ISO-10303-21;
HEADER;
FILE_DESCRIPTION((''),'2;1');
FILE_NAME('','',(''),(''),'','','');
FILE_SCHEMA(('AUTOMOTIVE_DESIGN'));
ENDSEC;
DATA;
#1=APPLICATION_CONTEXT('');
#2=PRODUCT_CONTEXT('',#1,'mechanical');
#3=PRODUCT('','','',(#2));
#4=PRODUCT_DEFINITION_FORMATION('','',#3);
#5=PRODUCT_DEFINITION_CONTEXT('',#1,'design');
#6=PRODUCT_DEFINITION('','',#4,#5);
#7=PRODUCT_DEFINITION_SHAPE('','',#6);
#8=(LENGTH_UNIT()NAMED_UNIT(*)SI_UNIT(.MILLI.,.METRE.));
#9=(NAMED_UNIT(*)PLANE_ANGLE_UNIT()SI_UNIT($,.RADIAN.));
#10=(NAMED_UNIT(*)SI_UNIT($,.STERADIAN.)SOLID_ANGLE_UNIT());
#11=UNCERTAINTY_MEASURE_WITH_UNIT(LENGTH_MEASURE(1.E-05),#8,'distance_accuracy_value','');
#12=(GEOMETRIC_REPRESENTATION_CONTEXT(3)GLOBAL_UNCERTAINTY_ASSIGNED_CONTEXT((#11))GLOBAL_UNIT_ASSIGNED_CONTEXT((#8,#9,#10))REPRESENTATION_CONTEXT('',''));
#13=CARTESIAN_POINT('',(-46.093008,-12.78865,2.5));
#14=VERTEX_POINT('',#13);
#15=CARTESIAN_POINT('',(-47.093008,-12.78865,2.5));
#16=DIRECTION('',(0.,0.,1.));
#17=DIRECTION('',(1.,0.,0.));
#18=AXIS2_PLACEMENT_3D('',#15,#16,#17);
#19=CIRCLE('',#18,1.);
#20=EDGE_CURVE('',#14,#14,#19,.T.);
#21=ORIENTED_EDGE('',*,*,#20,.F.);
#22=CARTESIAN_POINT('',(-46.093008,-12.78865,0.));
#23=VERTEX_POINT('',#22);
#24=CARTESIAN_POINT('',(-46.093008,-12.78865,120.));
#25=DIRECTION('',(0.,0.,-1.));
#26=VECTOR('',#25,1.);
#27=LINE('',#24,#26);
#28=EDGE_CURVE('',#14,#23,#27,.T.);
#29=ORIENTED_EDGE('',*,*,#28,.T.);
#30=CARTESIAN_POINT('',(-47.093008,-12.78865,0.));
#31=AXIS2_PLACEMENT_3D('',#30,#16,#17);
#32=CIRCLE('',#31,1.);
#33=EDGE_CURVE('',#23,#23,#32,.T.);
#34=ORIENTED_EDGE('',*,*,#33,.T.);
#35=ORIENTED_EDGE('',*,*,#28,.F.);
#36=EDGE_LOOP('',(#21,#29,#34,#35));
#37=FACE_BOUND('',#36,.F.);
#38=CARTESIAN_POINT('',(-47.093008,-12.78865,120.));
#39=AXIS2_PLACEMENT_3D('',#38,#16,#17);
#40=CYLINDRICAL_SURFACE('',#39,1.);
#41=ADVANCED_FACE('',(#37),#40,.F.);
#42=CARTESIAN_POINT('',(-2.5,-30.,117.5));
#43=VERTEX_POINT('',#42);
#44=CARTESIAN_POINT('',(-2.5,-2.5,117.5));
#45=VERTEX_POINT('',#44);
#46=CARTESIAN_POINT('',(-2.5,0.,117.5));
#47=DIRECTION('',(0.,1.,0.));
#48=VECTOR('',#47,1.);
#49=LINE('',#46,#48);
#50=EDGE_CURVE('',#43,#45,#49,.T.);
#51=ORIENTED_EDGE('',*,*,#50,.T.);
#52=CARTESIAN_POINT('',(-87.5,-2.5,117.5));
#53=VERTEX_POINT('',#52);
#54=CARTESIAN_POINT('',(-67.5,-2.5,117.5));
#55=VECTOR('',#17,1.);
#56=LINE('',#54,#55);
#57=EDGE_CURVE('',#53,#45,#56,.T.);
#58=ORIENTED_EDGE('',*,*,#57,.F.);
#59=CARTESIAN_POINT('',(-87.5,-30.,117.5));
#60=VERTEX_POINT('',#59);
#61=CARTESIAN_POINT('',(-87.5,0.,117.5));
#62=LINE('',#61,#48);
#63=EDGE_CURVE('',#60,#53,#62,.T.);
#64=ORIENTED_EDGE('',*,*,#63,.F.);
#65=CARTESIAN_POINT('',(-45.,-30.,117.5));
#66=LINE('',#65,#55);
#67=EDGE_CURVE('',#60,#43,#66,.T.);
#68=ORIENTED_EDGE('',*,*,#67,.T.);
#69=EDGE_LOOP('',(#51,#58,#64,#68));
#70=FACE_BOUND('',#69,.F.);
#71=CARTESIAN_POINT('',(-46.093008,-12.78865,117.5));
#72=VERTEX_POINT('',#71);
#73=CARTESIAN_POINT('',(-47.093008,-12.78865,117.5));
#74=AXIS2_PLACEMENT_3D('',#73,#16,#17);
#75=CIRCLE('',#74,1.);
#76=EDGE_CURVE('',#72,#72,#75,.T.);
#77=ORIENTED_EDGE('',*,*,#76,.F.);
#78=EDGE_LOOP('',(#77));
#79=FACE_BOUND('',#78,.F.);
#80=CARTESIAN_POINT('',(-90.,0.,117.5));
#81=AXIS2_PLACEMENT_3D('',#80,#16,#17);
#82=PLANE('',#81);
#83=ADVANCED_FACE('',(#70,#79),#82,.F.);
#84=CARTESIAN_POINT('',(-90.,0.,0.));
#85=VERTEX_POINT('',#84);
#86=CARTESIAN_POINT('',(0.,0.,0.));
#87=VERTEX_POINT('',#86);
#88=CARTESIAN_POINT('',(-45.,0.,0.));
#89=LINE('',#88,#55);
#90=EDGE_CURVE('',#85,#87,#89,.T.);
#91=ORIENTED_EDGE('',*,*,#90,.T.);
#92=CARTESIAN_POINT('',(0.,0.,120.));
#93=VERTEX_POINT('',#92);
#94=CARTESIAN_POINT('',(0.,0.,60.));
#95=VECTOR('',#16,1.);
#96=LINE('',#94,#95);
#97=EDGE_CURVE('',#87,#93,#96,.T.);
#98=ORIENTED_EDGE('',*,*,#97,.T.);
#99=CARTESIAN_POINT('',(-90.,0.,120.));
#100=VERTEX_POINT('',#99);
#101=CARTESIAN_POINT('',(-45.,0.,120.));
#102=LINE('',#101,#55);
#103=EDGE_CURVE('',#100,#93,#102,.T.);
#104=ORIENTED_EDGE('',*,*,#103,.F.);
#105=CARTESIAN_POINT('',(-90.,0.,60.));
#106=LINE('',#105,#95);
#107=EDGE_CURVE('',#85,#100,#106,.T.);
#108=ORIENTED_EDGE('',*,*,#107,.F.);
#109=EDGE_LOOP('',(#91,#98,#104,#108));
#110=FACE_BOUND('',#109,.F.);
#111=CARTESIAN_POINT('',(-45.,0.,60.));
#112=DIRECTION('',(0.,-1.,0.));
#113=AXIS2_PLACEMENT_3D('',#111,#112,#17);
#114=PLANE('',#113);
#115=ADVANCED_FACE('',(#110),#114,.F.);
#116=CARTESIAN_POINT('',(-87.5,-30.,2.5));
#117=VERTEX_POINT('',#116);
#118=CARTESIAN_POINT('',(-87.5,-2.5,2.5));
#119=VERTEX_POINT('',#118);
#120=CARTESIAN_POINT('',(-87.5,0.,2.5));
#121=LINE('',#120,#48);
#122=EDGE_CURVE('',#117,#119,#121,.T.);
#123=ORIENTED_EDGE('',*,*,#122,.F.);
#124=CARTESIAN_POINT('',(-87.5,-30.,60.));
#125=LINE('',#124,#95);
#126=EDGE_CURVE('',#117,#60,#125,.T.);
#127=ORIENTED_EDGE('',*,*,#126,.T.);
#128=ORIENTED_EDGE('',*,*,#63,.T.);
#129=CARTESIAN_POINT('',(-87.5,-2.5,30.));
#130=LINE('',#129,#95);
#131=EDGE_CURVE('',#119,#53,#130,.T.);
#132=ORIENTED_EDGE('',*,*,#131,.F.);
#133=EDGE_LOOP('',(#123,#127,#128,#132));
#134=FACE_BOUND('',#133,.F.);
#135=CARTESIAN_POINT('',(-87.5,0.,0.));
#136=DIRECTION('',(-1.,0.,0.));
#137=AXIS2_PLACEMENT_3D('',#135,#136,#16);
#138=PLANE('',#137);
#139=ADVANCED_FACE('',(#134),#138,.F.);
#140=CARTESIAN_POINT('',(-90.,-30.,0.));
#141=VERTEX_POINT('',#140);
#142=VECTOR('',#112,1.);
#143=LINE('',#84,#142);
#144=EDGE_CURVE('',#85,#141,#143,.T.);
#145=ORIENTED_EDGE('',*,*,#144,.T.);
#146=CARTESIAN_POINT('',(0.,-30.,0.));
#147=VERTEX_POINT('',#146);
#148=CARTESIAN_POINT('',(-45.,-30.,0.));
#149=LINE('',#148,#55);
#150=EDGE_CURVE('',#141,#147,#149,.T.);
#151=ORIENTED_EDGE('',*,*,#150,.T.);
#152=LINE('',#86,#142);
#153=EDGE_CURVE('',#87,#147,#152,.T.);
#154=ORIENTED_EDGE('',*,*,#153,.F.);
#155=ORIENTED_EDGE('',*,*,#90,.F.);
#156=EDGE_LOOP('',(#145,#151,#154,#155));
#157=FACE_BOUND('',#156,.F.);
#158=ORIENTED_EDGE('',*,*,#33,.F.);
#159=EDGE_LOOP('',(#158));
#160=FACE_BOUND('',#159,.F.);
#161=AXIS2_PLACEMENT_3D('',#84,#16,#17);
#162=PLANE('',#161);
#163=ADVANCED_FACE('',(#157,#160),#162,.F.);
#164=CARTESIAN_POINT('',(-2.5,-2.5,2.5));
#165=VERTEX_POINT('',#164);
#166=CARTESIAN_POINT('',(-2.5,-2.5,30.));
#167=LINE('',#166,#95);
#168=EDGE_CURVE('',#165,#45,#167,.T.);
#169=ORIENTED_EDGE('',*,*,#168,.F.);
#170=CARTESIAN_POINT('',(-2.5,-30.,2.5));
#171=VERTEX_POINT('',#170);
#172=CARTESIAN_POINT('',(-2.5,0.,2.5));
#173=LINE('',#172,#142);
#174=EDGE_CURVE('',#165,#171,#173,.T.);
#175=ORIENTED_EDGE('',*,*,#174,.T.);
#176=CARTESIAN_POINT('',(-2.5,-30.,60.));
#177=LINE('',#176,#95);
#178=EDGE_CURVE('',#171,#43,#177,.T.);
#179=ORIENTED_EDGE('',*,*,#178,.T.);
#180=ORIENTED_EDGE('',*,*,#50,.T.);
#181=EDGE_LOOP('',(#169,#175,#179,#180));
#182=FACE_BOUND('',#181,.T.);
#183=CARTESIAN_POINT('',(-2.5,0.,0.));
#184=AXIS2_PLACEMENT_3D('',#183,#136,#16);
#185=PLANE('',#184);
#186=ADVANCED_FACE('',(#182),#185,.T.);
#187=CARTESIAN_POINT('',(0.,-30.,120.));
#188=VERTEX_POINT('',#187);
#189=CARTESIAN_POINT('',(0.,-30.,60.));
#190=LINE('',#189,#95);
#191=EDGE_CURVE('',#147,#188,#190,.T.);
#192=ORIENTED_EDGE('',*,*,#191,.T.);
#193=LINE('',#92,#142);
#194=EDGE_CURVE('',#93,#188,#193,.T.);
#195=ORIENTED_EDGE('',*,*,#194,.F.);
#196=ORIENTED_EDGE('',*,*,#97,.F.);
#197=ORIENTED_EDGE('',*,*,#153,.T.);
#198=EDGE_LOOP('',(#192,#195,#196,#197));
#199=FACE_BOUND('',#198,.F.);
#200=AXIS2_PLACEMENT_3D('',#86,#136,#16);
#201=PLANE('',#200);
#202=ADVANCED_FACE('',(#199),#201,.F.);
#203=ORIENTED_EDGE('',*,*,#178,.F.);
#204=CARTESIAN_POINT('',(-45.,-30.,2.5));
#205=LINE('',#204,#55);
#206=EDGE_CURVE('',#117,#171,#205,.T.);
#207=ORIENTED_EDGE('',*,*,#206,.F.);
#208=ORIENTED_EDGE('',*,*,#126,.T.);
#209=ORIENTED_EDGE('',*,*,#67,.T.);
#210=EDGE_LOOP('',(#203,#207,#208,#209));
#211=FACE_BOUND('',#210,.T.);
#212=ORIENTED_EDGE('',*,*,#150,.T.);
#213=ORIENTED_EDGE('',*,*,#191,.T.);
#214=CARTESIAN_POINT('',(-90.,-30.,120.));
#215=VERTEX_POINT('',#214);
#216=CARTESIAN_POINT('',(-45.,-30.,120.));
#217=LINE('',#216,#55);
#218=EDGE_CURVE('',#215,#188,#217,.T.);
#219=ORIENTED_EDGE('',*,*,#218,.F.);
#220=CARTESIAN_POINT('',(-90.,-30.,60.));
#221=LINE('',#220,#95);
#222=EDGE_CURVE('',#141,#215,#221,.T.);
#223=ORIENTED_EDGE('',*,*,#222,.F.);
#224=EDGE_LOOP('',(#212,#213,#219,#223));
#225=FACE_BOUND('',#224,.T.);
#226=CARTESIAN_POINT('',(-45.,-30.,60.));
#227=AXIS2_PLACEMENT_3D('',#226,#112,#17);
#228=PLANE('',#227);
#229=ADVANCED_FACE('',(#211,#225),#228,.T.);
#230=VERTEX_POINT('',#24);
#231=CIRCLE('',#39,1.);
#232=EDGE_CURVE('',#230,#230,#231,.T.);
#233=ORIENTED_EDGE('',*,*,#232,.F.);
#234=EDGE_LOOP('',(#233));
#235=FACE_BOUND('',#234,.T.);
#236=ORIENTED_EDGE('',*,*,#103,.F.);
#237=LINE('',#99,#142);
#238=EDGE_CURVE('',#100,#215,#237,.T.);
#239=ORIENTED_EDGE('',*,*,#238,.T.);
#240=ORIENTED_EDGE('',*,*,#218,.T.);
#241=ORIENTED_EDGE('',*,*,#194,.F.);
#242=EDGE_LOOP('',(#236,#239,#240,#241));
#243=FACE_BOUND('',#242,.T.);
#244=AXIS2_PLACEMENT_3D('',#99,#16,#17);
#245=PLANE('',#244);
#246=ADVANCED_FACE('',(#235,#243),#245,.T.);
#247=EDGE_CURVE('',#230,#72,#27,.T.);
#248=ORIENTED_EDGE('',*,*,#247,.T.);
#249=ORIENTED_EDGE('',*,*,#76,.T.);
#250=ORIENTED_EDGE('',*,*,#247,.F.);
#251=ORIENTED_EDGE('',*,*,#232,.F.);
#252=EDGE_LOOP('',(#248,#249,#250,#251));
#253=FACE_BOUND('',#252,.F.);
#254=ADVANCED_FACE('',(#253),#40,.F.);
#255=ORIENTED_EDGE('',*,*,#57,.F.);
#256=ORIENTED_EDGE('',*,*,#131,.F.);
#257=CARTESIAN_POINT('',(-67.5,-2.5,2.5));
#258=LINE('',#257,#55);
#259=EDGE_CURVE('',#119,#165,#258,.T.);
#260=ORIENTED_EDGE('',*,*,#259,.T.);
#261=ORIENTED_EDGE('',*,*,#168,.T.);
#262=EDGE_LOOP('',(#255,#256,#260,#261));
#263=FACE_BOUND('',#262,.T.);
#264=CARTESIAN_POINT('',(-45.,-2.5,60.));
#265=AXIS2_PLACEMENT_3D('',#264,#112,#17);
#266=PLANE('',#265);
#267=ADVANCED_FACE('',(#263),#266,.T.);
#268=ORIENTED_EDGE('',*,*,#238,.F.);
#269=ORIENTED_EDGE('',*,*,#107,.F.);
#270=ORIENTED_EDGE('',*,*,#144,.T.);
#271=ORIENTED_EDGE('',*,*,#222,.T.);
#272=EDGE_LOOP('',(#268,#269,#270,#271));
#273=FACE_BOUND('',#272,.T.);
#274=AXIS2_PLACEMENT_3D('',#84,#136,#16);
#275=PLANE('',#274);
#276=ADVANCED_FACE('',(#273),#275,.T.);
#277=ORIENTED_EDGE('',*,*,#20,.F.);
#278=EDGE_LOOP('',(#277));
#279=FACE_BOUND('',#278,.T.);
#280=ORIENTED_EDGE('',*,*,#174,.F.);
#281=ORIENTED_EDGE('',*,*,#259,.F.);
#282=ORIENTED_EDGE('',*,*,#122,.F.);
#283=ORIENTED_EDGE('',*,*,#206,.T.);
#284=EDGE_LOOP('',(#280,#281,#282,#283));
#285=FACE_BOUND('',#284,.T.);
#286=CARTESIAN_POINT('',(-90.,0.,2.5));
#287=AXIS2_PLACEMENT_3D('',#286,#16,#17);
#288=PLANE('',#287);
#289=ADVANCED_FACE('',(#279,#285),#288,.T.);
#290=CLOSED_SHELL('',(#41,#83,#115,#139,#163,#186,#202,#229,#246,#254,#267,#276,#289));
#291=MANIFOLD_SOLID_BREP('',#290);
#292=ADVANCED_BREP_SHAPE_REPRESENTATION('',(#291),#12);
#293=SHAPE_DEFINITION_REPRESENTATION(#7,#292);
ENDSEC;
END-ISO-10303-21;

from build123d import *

# Parameters (mm, degrees)
F0_W     = 90
F0_H     = 120
F1_DEPTH = 30
F2_T     = -2.5
F3_R     = 1
F4_DEPTH = 120.001


with BuildPart() as f1:
    # F0 (on Front) → F1 (new body)
    with BuildSketch(Plane.XZ):
        with Locations((-45, 60)):
            Rectangle(F0_W, F0_H)
    extrude(amount=F1_DEPTH)

    # F2
    f2_openings = [f1.faces().sort_by_distance(p)[0] for p in [
        (-45, -30, 60),
    ]]
    offset(amount=F2_T, openings=f2_openings)

    # F3 (on face) → F4 (cut, through all)
    with BuildSketch(Plane.XY.offset(120)):
        with Locations((-47.093008, -12.78865)):
            Circle(F3_R)
    extrude(amount=-F4_DEPTH, mode=Mode.SUBTRACT)


solid = f1.part
